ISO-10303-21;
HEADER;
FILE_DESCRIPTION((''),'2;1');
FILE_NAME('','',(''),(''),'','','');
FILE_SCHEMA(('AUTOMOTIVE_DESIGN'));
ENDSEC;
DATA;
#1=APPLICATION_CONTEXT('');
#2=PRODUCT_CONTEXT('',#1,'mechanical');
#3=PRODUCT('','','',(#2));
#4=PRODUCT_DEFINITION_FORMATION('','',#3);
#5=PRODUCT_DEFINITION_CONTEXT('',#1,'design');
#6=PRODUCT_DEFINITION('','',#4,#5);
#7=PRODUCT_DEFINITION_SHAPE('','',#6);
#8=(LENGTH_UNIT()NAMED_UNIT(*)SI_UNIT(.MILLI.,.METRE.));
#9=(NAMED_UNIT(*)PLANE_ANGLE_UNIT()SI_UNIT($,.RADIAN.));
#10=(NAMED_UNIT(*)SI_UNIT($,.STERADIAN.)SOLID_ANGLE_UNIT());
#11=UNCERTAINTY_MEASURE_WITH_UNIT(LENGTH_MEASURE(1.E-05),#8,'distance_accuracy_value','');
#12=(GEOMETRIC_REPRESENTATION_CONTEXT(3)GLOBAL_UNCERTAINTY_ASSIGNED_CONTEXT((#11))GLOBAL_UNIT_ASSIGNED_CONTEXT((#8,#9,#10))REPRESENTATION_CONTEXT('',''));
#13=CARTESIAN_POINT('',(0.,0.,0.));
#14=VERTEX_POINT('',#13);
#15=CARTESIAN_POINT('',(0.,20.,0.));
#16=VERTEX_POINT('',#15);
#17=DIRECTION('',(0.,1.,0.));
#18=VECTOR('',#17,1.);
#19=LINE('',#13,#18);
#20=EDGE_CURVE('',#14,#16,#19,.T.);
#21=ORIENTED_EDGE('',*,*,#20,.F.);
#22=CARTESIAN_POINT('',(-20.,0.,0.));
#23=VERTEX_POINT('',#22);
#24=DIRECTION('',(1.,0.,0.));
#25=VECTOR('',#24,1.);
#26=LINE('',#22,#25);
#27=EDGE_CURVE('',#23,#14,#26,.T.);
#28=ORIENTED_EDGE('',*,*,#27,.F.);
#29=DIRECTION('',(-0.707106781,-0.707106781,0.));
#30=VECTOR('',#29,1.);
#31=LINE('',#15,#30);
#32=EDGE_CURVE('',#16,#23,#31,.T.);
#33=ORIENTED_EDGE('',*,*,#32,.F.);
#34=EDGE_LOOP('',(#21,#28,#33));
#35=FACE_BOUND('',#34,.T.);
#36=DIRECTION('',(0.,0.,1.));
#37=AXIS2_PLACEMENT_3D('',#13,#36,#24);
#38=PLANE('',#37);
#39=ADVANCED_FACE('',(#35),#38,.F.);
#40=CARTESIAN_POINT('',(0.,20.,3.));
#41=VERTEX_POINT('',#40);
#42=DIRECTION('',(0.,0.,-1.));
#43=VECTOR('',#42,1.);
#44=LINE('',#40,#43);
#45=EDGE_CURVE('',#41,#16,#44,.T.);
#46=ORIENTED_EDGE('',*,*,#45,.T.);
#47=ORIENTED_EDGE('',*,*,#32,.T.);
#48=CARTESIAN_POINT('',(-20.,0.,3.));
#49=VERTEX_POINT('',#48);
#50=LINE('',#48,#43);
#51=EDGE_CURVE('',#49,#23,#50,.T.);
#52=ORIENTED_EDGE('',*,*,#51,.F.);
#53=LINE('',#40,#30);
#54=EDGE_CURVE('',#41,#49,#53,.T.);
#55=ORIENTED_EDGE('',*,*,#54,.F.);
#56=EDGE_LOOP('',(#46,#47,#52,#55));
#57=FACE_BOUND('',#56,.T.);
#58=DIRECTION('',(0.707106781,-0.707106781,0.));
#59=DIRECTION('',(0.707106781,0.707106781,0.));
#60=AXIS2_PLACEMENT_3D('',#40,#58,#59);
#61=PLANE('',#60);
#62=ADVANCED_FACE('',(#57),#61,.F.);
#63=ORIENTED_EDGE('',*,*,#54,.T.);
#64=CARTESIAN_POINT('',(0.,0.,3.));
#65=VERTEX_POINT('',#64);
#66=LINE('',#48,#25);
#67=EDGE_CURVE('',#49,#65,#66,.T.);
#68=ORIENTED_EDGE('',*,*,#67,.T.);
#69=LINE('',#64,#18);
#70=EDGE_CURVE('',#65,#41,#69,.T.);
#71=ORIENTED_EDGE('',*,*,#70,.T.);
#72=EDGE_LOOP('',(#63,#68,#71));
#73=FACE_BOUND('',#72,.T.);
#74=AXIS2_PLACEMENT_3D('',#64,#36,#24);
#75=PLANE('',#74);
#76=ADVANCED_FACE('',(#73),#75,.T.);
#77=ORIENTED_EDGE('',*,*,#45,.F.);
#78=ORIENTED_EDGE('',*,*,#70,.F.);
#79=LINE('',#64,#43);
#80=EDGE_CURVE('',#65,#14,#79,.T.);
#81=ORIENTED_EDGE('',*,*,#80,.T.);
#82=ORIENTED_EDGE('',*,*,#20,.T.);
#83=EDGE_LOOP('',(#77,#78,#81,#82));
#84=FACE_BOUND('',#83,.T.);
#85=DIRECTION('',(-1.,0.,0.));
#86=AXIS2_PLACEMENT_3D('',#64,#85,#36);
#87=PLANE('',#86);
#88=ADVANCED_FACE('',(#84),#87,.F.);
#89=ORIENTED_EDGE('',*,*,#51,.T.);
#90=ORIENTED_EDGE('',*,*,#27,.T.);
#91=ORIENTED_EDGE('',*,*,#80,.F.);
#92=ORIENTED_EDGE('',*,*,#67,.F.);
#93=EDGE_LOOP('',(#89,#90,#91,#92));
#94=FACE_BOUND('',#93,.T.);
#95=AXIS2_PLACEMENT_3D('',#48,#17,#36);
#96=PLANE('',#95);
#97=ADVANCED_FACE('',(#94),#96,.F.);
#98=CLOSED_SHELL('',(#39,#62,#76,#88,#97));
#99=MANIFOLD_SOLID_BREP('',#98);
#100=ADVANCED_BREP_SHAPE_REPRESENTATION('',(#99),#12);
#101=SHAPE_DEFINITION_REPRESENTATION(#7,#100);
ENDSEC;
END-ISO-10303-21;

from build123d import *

# Parameters (mm, degrees)
BOSS_EXTRUDE1_DEPTH = 3


with BuildPart() as part:
    # Sketch1 → Boss-Extrude1 (new body)
    with BuildSketch(Plane.XY):
        Polygon((0, 0), (0, 20), (-20, 0), align=None)
    extrude(amount=BOSS_EXTRUDE1_DEPTH)


solid = part.part
